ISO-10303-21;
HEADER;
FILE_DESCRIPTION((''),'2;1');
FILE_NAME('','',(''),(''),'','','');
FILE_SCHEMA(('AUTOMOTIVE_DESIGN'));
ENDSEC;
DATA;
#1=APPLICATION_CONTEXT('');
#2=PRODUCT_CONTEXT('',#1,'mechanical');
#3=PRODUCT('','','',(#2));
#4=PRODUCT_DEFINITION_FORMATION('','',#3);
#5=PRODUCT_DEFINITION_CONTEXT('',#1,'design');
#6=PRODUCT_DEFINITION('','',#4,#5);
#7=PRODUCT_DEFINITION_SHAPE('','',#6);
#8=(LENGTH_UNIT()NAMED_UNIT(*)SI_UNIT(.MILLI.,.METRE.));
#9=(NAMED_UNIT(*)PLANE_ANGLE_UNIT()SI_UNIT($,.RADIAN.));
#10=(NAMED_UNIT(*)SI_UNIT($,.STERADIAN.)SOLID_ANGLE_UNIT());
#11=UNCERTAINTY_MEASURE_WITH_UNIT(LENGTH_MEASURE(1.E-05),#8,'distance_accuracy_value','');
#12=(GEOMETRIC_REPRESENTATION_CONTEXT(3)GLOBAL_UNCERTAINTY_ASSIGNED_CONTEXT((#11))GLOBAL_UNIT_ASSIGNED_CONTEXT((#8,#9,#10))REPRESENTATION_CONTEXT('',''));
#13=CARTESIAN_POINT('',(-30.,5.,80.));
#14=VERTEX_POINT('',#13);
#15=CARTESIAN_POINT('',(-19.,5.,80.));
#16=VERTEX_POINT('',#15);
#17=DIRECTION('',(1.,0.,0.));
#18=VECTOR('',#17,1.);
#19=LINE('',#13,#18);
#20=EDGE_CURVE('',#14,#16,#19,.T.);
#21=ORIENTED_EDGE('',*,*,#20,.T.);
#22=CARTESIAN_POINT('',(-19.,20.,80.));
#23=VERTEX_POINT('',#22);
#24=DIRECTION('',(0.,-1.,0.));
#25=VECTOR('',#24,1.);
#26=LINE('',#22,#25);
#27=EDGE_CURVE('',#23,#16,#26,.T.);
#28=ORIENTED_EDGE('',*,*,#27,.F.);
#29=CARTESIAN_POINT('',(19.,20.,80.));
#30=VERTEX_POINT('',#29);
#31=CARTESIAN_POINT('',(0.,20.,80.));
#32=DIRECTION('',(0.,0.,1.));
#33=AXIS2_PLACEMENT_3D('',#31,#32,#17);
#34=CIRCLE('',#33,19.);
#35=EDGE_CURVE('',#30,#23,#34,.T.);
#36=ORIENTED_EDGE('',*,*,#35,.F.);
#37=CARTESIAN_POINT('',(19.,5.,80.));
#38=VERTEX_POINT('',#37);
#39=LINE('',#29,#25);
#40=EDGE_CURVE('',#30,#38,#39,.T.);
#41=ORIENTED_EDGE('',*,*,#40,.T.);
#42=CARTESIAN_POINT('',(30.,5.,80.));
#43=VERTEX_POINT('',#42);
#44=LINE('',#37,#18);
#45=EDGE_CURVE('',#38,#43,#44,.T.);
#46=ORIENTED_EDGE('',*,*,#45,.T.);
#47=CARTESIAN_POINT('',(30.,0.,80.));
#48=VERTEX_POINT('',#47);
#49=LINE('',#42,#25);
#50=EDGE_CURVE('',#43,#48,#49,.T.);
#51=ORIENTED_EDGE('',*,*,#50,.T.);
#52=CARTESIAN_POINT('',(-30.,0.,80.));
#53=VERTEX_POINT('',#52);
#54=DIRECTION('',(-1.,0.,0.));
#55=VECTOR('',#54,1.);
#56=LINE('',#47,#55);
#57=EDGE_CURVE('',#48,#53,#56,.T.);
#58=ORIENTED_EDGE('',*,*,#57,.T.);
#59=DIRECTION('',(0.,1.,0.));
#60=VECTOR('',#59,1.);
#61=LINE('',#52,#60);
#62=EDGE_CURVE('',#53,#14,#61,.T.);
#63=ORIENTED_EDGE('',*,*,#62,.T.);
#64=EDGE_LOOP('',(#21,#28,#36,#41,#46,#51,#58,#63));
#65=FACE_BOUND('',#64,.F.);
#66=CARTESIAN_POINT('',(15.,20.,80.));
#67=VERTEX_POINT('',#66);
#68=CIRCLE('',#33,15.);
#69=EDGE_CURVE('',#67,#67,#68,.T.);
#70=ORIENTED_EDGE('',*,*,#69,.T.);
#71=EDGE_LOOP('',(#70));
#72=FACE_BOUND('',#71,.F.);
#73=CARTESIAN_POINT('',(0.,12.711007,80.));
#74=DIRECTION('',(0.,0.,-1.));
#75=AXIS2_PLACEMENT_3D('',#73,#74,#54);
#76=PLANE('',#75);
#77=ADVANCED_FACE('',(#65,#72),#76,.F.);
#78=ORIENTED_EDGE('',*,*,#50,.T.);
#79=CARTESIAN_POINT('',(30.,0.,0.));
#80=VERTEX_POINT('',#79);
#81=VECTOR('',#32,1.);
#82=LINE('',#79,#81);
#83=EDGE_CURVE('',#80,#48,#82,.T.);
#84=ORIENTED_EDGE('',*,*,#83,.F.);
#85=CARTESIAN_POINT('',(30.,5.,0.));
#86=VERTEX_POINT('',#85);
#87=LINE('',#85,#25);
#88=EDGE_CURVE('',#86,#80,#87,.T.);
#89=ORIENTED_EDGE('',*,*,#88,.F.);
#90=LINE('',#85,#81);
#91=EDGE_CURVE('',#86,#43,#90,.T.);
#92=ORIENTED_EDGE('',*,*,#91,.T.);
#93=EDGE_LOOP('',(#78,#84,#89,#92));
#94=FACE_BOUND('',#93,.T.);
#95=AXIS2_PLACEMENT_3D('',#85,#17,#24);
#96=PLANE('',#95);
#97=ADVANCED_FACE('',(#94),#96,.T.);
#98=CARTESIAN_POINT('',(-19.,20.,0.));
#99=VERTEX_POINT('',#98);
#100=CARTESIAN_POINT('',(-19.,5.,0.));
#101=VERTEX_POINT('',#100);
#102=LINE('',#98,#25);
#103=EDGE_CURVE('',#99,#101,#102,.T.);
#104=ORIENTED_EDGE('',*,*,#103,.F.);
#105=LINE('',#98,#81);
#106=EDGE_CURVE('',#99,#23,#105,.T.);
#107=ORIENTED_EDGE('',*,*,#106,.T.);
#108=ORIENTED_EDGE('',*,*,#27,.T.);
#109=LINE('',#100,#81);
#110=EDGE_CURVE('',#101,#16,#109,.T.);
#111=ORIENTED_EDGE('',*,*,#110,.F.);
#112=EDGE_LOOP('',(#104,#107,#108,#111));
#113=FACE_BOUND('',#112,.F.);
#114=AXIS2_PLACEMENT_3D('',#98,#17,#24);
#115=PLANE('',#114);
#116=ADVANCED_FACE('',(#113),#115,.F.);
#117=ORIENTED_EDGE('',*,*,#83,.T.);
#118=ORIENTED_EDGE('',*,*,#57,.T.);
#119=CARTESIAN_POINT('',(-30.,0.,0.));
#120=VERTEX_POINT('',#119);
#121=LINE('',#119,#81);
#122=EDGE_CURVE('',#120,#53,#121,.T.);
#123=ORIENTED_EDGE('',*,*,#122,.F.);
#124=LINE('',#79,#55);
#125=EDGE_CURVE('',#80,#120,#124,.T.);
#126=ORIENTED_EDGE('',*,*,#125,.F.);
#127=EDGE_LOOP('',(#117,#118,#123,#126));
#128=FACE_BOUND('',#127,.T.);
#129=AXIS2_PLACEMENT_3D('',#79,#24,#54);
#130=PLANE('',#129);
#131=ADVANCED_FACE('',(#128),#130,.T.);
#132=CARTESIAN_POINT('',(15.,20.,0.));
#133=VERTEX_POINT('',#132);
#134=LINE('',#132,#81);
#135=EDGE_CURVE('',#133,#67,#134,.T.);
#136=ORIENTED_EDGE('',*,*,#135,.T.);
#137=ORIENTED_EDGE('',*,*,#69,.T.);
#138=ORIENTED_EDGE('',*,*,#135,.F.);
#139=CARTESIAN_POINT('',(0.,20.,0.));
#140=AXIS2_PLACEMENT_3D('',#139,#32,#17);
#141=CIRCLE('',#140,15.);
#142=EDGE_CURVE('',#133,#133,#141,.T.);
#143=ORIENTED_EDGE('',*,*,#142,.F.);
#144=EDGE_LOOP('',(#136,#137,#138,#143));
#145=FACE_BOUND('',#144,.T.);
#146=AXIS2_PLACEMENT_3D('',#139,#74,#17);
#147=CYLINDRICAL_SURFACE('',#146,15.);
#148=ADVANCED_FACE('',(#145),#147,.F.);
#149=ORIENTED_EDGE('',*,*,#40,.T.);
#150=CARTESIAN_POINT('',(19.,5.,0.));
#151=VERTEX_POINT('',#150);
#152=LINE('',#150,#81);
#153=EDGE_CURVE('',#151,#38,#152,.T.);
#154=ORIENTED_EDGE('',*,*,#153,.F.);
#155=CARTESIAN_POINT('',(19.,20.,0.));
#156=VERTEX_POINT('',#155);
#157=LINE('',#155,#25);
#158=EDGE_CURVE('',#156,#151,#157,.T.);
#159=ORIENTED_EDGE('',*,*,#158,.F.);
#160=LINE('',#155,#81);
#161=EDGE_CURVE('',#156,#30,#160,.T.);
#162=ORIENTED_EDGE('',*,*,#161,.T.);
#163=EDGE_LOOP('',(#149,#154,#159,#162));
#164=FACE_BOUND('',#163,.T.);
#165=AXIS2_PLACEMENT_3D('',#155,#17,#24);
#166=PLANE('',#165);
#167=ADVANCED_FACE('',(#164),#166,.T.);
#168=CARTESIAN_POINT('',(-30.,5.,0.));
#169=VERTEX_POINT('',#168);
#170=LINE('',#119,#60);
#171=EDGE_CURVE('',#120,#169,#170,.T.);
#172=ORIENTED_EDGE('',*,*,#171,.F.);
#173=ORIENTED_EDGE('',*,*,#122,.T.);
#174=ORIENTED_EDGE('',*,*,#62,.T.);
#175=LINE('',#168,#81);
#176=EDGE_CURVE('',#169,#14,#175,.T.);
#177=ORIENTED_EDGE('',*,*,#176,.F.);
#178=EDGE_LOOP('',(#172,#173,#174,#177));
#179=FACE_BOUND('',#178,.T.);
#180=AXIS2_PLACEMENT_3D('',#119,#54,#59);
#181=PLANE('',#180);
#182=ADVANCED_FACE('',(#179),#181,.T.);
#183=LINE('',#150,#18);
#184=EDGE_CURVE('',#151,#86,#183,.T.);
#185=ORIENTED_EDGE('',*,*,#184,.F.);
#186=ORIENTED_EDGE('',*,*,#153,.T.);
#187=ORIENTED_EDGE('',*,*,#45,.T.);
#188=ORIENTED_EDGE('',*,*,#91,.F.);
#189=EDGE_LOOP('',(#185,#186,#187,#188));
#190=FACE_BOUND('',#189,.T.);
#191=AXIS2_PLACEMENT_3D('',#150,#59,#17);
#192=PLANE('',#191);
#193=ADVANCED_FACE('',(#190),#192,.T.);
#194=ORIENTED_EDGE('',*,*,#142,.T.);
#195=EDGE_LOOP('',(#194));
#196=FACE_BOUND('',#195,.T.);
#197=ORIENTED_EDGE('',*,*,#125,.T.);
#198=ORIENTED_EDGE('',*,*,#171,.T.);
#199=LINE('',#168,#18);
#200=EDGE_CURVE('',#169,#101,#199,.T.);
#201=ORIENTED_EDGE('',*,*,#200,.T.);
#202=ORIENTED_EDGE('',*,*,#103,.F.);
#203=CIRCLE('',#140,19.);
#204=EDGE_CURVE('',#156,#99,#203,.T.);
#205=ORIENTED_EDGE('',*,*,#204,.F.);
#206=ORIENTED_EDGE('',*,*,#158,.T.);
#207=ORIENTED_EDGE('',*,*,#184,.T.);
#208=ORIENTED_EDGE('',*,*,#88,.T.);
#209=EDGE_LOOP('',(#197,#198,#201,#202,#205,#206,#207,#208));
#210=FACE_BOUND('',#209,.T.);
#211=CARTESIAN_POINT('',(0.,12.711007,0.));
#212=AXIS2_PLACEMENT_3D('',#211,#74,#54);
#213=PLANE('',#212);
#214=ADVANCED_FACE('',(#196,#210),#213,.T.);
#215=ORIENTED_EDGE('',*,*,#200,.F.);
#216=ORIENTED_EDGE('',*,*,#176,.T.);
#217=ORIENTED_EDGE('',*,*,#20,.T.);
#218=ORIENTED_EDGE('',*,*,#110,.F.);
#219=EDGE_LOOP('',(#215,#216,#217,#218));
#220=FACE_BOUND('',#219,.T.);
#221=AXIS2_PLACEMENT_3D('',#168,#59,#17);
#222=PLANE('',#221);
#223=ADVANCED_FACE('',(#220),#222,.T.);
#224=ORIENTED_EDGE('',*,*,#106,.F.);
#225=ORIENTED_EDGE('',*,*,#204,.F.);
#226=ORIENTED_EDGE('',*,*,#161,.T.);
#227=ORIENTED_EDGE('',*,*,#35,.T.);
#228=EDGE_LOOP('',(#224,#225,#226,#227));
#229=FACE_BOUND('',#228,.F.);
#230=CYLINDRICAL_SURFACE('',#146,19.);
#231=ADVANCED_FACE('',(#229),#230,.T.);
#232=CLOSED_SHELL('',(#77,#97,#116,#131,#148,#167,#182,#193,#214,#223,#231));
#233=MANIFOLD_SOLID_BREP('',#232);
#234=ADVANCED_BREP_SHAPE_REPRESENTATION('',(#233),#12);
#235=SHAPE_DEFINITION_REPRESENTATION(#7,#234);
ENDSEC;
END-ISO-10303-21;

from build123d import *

# Parameters (mm, degrees)
SKETCH_R  = 15
PAD_DEPTH = 80


with BuildPart() as part:
    # Sketch → Pad (new body)
    with BuildSketch(Plane.XY):
        with BuildLine():
            Line((30, 5), (30, 0))
            Line((30, 0), (-30, 0))
            Line((-30, 0), (-30, 5))
            Line((-30, 5), (-19, 5))
            Line((-19, 20), (-19, 5))
            ThreePointArc((19, 20), (0, 39), (-19, 20))
            Line((19, 20), (19, 5))
            Line((19, 5), (30, 5))
        make_face()
        with Locations((0, 20)):
            Circle(SKETCH_R, mode=Mode.SUBTRACT)
    extrude(amount=PAD_DEPTH)


solid = part.part
